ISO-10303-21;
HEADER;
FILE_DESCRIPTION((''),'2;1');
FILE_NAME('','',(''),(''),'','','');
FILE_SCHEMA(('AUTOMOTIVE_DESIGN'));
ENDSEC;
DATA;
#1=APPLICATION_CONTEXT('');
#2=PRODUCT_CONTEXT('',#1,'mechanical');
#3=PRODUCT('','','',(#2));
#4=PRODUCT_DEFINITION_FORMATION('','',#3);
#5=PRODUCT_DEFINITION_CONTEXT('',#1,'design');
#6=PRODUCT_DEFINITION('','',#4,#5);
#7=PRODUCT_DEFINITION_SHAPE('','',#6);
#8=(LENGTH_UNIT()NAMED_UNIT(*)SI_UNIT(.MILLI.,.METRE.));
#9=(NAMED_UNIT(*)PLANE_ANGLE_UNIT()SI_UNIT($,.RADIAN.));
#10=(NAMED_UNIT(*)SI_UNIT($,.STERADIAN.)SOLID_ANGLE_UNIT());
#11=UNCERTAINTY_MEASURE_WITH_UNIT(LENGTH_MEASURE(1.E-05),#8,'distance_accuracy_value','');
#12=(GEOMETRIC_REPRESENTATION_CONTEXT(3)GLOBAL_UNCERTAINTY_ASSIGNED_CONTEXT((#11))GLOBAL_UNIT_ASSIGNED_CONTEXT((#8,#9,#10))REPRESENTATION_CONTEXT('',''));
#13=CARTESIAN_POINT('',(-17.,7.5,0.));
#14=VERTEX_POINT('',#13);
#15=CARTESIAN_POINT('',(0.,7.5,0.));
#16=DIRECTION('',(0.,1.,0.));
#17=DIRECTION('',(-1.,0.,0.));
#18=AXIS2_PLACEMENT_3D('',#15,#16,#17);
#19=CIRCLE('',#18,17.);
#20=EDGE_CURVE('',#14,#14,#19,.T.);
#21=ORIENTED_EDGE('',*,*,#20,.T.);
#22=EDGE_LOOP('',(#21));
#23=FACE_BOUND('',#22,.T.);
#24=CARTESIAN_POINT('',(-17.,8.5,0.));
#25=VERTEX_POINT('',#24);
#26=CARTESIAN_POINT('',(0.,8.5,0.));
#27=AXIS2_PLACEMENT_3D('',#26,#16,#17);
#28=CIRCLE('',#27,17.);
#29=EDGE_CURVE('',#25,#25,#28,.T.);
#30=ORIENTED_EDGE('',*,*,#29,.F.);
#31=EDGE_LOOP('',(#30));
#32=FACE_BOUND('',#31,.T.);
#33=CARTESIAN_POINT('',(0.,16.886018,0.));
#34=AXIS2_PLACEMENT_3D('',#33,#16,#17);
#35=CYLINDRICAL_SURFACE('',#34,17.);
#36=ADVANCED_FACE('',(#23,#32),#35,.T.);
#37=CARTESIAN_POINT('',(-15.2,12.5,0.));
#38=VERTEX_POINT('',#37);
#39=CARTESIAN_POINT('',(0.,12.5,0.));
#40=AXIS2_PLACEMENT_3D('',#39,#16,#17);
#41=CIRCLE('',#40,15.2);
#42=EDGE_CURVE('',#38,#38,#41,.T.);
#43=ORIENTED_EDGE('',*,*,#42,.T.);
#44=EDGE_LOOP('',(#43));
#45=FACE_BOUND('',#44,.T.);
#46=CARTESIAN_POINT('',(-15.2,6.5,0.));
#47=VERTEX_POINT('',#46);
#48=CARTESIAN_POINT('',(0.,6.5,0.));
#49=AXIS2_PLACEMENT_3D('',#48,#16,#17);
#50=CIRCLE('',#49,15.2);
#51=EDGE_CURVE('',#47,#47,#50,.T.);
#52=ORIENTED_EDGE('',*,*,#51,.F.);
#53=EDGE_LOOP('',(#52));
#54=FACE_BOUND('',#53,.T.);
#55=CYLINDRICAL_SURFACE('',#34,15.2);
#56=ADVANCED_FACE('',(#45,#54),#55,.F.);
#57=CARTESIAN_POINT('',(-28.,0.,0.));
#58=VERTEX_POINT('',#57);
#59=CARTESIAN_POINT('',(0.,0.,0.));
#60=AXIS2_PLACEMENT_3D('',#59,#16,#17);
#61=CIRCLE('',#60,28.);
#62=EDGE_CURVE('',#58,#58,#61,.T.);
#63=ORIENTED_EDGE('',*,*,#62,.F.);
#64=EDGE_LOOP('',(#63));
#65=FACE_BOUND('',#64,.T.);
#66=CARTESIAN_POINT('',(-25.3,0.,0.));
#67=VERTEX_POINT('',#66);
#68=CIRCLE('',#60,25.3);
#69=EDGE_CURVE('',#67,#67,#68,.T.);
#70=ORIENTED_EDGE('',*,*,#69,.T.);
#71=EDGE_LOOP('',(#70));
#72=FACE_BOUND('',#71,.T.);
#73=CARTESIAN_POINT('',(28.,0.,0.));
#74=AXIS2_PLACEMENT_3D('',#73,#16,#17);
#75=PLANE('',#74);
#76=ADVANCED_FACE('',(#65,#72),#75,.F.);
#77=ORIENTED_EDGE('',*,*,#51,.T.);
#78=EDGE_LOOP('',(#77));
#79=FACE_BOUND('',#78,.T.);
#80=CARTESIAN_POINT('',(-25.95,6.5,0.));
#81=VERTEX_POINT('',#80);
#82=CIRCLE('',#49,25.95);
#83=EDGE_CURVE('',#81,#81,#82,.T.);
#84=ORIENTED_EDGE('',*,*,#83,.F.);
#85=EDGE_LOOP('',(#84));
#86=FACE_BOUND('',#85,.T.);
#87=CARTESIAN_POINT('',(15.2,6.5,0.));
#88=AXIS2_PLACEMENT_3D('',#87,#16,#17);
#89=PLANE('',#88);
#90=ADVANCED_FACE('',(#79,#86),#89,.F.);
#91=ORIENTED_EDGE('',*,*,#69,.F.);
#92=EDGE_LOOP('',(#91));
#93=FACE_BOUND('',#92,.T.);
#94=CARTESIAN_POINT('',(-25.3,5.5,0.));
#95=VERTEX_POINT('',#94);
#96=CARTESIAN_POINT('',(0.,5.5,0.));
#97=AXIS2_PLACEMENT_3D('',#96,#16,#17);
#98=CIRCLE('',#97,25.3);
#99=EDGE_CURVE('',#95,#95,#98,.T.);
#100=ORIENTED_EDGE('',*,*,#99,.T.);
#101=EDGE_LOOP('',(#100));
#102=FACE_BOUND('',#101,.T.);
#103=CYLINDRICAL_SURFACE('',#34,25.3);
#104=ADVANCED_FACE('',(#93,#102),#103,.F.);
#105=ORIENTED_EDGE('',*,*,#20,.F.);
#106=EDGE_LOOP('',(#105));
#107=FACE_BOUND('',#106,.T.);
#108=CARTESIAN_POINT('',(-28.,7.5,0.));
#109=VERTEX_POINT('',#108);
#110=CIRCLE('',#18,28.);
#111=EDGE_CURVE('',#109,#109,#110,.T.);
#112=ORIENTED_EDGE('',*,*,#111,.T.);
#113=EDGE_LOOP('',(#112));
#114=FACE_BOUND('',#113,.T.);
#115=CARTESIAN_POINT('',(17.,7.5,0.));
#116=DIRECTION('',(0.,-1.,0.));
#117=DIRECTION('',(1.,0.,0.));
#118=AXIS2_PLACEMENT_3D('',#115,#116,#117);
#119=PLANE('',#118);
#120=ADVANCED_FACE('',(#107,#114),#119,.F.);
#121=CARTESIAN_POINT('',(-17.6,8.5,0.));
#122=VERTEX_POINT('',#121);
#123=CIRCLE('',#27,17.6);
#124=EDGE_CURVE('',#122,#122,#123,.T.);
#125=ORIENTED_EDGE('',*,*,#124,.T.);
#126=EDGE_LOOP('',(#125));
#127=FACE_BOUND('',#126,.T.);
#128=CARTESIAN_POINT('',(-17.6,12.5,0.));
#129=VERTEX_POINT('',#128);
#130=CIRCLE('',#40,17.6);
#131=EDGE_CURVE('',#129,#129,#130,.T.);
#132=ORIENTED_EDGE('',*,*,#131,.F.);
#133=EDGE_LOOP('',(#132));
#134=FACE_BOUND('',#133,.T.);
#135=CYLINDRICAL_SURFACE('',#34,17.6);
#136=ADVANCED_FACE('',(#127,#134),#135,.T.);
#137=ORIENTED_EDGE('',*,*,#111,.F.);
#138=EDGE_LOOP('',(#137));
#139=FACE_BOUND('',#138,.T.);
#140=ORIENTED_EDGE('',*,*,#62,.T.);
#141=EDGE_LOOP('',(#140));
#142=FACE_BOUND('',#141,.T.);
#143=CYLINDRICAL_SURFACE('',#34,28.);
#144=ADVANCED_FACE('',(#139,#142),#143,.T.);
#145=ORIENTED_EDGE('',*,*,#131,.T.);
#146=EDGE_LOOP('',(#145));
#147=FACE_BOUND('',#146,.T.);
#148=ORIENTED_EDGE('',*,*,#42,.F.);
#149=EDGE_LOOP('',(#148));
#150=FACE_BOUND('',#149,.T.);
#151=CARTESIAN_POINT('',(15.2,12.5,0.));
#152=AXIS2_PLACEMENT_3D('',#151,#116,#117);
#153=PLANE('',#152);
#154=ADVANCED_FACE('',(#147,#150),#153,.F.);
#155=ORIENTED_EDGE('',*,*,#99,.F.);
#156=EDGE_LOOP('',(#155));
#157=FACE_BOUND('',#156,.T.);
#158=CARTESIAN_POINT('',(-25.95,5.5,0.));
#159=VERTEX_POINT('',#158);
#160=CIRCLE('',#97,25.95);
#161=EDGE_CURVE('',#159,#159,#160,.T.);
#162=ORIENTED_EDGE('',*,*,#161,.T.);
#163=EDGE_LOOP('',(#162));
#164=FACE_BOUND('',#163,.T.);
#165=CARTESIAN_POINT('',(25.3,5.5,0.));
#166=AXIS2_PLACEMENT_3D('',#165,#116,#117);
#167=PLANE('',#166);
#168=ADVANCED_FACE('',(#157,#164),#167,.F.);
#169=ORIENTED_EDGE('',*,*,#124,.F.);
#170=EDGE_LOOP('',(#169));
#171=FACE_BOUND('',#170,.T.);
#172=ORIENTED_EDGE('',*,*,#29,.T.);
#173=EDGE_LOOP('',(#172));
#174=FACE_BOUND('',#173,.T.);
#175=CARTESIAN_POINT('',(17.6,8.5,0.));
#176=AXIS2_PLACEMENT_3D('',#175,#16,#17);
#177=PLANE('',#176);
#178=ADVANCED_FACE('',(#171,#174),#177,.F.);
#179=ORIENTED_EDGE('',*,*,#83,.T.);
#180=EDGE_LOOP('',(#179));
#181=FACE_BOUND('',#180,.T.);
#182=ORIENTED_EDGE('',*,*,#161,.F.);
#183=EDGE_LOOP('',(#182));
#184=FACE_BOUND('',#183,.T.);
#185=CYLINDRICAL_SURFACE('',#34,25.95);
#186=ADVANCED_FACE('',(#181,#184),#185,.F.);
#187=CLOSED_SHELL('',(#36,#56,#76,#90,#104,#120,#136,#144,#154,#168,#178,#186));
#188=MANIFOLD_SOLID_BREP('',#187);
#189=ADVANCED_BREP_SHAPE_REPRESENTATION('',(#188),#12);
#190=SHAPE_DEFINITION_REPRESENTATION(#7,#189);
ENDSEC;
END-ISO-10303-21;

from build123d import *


with BuildPart() as part:
    # 草图1 → 旋转1 (revolve)
    with BuildSketch(Plane.XY, mode=Mode.PRIVATE) as revolve_1_sk:
        Polygon((25.3, 0), (25.3, 5.5), (25.95, 5.5), (25.95, 6.5), (15.2, 6.5), (15.2, 12.5), (17.6, 12.5), (17.6, 8.5), (17, 8.5), (17, 7.5), (28, 7.5), (28, 0), align=None)
    revolve(revolve_1_sk.sketch.rotate(Axis((0, 16.886018237, 0), (0, -1, 0)), 180), axis=Axis((0, 16.886018237, 0), (0, -1, 0)))  # turned: the seam where the file's is


solid = part.part
